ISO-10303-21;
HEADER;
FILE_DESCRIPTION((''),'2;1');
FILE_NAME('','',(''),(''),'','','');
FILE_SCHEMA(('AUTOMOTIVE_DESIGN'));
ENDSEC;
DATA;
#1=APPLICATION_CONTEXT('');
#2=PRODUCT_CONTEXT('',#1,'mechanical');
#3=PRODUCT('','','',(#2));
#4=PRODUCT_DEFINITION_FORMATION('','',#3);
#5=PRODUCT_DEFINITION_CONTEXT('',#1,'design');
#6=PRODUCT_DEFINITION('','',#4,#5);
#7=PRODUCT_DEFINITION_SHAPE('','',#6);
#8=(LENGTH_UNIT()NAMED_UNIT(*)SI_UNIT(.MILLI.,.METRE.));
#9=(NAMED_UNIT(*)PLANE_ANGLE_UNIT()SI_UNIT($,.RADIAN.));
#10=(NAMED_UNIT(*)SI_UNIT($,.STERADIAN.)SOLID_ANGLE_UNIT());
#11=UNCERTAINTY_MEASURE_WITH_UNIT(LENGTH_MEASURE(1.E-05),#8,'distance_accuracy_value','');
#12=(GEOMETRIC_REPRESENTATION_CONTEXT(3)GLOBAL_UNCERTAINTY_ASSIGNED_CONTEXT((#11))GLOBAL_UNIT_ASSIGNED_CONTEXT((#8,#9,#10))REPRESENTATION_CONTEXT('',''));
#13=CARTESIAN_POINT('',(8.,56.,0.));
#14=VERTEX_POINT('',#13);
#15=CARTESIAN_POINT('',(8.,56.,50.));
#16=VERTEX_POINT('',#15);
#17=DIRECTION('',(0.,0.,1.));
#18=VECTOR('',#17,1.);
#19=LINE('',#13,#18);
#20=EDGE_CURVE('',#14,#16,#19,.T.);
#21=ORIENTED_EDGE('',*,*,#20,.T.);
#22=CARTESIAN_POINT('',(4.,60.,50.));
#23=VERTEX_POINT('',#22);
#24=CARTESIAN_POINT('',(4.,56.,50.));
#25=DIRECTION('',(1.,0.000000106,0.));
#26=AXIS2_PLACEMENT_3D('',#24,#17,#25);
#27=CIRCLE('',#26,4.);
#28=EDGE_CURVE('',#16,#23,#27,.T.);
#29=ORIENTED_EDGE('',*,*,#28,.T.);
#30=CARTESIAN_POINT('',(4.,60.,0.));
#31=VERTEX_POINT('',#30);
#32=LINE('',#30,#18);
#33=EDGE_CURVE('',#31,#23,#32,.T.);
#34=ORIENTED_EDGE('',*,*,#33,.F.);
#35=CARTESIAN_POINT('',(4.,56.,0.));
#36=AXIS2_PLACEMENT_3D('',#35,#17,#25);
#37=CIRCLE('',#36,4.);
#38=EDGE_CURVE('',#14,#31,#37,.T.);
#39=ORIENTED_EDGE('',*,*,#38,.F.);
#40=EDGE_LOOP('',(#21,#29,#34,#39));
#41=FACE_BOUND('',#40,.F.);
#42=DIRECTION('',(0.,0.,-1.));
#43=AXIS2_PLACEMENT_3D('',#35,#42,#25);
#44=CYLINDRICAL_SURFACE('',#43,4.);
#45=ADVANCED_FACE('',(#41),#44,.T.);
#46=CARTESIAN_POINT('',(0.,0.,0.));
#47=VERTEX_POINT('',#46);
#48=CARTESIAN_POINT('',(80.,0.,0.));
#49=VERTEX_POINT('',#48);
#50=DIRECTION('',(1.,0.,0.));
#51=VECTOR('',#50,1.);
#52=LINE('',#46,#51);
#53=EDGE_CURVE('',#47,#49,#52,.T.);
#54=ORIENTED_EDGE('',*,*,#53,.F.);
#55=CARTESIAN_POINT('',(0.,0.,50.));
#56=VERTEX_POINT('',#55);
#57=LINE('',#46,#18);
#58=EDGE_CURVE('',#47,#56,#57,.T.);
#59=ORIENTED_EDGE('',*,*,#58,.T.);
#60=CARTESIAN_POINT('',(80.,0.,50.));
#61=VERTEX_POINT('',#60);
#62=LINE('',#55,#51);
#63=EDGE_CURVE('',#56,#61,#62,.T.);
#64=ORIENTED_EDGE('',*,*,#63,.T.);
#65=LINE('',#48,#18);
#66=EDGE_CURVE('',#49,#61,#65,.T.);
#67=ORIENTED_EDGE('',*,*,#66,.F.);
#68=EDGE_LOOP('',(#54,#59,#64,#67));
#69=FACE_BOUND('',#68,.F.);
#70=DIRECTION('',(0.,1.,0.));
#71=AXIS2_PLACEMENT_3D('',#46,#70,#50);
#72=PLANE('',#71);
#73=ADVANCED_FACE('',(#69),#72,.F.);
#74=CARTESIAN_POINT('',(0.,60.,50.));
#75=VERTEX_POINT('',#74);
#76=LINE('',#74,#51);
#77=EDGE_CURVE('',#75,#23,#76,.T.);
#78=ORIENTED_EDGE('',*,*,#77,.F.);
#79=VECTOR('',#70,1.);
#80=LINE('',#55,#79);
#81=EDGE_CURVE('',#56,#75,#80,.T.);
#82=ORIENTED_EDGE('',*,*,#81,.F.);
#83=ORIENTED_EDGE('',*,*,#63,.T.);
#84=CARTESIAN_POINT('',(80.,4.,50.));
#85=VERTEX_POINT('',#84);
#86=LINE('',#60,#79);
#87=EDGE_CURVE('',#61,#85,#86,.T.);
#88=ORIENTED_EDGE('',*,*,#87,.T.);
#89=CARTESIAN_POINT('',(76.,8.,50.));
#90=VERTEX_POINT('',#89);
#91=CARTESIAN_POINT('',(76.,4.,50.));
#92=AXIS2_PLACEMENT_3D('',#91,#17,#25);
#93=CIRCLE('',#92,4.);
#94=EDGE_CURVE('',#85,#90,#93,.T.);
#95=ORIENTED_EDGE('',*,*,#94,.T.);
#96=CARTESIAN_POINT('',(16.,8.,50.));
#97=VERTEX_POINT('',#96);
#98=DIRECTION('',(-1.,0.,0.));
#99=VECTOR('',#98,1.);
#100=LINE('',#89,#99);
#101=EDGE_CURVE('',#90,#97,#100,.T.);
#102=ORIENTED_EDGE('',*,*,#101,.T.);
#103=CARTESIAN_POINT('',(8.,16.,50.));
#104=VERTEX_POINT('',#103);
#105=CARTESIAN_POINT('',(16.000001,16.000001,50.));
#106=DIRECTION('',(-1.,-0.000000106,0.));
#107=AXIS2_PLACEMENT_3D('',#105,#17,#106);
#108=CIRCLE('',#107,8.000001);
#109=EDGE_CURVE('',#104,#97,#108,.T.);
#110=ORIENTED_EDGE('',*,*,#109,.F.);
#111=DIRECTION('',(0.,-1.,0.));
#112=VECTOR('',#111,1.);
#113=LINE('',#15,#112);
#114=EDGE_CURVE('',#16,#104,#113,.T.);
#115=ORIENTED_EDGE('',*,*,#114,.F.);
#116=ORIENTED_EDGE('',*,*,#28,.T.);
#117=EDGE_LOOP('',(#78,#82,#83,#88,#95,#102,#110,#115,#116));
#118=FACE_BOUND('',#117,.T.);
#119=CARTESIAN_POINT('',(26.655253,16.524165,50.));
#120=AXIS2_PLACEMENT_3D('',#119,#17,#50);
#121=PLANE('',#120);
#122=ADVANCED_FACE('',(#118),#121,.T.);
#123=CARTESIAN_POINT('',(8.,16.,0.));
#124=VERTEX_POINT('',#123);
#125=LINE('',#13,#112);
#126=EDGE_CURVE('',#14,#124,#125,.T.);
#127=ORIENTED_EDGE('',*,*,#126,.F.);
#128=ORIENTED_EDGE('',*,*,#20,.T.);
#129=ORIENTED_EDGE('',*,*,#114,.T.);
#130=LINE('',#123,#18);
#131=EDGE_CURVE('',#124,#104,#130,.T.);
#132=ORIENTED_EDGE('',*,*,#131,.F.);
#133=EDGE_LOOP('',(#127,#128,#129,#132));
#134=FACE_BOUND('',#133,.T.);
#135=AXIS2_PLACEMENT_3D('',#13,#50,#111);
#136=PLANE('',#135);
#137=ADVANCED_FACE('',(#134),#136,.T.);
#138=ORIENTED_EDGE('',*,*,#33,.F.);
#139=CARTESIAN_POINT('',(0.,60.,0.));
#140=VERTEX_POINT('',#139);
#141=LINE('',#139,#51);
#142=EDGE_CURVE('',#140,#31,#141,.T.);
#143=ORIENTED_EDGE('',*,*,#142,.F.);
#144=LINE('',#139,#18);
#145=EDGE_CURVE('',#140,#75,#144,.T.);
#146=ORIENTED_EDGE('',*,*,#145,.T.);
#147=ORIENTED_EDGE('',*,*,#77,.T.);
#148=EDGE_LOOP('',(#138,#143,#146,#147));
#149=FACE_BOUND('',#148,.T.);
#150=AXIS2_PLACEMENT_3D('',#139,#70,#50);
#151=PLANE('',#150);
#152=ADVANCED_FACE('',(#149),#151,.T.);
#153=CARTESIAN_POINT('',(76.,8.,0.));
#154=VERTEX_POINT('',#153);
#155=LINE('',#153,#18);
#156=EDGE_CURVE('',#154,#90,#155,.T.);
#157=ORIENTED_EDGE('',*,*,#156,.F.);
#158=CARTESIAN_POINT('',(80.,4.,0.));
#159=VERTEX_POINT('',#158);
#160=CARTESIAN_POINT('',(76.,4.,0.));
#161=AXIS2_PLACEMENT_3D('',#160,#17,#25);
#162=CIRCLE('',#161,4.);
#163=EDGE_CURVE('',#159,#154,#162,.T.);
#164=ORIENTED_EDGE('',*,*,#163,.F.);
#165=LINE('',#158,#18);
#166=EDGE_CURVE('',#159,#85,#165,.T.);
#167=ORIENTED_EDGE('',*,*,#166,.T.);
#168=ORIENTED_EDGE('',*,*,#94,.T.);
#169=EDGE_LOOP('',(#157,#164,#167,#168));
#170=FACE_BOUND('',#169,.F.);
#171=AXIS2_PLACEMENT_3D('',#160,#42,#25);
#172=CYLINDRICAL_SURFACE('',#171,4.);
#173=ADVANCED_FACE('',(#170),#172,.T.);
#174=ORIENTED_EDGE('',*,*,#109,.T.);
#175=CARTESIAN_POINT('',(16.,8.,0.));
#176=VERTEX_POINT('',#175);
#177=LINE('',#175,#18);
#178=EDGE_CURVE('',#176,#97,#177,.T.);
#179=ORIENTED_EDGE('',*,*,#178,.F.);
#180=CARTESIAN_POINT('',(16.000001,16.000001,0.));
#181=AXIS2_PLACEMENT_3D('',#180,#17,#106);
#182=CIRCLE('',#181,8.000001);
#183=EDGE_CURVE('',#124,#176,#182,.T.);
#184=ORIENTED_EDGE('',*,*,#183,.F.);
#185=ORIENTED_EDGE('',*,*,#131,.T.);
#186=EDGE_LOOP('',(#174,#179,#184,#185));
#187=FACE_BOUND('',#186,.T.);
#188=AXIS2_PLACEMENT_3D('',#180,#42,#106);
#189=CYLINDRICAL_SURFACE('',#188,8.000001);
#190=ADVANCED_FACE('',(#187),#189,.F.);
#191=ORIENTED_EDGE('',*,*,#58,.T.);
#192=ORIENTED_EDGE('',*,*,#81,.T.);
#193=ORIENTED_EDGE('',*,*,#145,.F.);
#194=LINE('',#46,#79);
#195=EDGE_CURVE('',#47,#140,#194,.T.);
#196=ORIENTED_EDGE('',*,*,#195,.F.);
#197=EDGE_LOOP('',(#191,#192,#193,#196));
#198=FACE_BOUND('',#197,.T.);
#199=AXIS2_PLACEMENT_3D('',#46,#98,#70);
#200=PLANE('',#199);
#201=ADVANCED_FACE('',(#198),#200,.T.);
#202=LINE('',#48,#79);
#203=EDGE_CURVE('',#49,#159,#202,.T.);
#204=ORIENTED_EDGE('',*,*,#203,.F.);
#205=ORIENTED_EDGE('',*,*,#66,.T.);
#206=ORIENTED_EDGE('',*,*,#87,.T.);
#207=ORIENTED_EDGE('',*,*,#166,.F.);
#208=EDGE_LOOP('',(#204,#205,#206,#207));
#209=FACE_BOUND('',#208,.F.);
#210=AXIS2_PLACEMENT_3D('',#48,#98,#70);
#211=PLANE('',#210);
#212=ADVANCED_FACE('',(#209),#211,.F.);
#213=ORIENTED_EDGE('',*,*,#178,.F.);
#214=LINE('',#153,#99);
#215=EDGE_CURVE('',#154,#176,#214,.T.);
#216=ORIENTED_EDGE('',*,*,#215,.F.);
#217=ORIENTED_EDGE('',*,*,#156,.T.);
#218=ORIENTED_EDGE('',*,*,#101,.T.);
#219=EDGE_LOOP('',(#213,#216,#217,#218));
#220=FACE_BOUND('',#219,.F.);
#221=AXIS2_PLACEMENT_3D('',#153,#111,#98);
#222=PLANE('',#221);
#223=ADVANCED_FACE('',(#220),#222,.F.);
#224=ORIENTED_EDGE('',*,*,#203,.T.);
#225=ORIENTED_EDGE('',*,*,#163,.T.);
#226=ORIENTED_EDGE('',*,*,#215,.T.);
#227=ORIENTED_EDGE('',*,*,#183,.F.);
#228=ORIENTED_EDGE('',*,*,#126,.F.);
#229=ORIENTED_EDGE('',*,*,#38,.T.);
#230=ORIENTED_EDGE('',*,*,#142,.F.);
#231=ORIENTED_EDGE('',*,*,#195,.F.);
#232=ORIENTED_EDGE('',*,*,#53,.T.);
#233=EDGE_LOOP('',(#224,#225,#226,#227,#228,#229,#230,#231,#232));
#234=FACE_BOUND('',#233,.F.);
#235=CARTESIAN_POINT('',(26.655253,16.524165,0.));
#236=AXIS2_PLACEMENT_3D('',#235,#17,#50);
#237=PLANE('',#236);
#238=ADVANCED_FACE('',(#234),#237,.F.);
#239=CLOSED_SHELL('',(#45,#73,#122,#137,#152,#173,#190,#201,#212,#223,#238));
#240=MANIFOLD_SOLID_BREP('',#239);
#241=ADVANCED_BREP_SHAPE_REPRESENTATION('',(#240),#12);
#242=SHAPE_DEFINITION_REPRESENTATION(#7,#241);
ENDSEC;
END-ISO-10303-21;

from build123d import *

# Parameters (mm, degrees)
EXTRUDE_DEPTH = 50


with BuildPart() as part:
    # Sketch → Extrude (new body)
    with BuildSketch(Plane.XY):
        with BuildLine():
            Line((0, 0), (80, 0))
            Line((80, 0), (80, 4))
            ThreePointArc((80, 4), (78.828427, 6.828427), (76, 8))
            Line((76, 8), (16, 8))
            ThreePointArc((8, 16), (10.343146, 10.343146), (16, 8))
            Line((8, 56), (8, 16))
            ThreePointArc((8, 56), (6.828427, 58.828427), (4, 60))
            Line((0, 60), (4, 60))
            Line((0, 0), (0, 60))
        make_face()
    extrude(amount=EXTRUDE_DEPTH)


solid = part.part
